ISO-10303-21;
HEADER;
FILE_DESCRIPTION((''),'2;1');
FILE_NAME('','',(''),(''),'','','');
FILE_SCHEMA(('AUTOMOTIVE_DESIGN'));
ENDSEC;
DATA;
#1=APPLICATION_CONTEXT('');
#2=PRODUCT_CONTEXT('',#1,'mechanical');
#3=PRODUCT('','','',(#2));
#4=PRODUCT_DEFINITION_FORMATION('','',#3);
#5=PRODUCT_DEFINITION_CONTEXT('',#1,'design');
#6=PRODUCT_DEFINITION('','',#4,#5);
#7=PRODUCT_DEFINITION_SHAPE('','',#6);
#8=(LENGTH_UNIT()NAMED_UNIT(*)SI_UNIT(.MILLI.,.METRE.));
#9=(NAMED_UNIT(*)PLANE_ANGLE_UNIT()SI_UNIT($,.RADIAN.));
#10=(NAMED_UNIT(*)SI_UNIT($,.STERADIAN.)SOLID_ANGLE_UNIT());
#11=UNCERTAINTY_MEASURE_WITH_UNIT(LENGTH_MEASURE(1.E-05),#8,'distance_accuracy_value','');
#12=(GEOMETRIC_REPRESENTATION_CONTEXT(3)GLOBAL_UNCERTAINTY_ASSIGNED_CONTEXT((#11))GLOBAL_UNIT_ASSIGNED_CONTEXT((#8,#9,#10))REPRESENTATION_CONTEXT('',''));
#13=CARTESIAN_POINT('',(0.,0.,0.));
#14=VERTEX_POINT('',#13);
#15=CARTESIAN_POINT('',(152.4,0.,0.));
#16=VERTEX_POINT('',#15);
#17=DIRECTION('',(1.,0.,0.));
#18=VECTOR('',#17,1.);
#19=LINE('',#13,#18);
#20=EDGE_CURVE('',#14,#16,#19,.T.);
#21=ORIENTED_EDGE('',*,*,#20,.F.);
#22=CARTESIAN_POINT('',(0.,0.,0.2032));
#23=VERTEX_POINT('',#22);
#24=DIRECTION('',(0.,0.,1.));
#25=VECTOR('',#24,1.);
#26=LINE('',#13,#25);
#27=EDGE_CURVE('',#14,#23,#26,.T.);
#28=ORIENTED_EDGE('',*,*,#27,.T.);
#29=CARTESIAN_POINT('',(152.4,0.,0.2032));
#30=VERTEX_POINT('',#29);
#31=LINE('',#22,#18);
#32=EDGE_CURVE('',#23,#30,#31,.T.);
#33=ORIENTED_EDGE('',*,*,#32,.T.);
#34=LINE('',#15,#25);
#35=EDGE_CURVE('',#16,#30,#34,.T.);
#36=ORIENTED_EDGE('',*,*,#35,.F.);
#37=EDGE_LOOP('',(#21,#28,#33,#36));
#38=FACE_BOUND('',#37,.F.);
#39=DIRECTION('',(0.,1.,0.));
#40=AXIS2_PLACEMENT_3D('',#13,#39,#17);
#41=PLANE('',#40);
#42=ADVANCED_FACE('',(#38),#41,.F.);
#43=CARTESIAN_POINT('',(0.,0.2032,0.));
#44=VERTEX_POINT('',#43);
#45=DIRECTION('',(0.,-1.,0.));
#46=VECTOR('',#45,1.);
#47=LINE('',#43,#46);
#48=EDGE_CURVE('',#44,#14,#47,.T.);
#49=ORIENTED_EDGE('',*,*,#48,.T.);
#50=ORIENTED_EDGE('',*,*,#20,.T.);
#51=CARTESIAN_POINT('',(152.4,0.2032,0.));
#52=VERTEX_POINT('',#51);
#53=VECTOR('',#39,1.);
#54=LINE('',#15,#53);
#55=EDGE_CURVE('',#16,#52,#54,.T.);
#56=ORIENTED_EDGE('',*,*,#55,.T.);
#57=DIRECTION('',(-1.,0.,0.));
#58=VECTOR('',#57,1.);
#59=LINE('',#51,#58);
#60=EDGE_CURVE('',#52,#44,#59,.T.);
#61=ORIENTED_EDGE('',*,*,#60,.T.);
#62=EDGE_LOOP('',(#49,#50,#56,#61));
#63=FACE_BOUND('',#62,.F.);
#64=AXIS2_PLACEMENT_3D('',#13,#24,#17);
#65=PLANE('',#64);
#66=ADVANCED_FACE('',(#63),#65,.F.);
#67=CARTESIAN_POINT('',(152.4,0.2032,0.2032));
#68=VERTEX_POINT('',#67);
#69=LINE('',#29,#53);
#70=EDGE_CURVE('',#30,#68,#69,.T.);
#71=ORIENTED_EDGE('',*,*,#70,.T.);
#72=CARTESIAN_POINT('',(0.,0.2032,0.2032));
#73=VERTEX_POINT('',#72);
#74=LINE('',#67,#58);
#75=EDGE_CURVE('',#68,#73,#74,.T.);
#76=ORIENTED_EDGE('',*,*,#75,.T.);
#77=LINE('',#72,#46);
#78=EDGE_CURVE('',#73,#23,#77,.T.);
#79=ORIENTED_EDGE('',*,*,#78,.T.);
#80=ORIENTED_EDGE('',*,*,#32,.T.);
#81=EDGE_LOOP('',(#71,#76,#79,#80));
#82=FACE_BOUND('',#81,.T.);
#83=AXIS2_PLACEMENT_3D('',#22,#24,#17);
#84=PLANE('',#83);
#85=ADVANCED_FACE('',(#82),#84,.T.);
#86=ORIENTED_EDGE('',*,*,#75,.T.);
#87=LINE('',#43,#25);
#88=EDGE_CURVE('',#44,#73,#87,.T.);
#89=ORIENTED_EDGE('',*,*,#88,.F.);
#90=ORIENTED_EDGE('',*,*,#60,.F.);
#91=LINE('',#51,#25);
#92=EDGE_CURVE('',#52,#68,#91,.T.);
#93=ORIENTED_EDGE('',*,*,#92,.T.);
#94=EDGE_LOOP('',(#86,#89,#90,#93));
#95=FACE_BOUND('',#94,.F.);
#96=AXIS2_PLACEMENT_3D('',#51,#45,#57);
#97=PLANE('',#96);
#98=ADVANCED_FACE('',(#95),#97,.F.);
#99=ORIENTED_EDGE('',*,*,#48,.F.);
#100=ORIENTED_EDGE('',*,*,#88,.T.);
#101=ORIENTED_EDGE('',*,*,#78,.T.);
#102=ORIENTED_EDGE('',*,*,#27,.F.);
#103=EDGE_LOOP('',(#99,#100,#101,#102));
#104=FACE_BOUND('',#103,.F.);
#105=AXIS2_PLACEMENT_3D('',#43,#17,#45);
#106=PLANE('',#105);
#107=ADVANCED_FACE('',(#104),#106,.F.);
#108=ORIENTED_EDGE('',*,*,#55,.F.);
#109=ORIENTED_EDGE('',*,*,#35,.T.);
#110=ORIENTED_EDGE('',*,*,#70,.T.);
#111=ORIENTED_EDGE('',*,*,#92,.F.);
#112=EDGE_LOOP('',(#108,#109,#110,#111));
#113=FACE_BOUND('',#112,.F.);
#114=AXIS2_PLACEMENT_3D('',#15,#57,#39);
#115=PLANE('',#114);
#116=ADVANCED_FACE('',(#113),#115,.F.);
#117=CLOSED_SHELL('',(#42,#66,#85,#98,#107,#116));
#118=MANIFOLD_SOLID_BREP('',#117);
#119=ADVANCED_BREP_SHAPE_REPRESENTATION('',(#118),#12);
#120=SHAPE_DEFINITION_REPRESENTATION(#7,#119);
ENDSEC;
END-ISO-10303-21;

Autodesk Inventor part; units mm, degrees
ref_plane "YZ Plane" through (0, 0, 0) normal (1, 0, 0) x (0, 1, 0)
ref_plane "XZ Plane" through (0, 0, 0) normal (0, 1, 0) x (-1, 0, 0)
ref_plane "XY Plane" through (0, 0, 0) normal (0, 0, 1) x (1, 0, 0)
sketch "Sketch1" plane through (0, 0, 0) normal (0, 0, 1) x (1, 0, 0)
  line L0 (0, 0) -> (152.4, 0)
  line L1 (152.4, 0) -> (152.4, 0.2032)
  line L2 (152.4, 0.2032) -> (0, 0.2032)
  line L3 (0, 0.2032) -> (0, 0)
  point P0 (0, 0.1016)
  dimension "d0" = 0.2032
  dimension "d1" = 152.4
extrude "Extrusion1" add sketch "Sketch1" along normal blind 0.2032
properties part number "flat 32 gauge nichrome wire"
